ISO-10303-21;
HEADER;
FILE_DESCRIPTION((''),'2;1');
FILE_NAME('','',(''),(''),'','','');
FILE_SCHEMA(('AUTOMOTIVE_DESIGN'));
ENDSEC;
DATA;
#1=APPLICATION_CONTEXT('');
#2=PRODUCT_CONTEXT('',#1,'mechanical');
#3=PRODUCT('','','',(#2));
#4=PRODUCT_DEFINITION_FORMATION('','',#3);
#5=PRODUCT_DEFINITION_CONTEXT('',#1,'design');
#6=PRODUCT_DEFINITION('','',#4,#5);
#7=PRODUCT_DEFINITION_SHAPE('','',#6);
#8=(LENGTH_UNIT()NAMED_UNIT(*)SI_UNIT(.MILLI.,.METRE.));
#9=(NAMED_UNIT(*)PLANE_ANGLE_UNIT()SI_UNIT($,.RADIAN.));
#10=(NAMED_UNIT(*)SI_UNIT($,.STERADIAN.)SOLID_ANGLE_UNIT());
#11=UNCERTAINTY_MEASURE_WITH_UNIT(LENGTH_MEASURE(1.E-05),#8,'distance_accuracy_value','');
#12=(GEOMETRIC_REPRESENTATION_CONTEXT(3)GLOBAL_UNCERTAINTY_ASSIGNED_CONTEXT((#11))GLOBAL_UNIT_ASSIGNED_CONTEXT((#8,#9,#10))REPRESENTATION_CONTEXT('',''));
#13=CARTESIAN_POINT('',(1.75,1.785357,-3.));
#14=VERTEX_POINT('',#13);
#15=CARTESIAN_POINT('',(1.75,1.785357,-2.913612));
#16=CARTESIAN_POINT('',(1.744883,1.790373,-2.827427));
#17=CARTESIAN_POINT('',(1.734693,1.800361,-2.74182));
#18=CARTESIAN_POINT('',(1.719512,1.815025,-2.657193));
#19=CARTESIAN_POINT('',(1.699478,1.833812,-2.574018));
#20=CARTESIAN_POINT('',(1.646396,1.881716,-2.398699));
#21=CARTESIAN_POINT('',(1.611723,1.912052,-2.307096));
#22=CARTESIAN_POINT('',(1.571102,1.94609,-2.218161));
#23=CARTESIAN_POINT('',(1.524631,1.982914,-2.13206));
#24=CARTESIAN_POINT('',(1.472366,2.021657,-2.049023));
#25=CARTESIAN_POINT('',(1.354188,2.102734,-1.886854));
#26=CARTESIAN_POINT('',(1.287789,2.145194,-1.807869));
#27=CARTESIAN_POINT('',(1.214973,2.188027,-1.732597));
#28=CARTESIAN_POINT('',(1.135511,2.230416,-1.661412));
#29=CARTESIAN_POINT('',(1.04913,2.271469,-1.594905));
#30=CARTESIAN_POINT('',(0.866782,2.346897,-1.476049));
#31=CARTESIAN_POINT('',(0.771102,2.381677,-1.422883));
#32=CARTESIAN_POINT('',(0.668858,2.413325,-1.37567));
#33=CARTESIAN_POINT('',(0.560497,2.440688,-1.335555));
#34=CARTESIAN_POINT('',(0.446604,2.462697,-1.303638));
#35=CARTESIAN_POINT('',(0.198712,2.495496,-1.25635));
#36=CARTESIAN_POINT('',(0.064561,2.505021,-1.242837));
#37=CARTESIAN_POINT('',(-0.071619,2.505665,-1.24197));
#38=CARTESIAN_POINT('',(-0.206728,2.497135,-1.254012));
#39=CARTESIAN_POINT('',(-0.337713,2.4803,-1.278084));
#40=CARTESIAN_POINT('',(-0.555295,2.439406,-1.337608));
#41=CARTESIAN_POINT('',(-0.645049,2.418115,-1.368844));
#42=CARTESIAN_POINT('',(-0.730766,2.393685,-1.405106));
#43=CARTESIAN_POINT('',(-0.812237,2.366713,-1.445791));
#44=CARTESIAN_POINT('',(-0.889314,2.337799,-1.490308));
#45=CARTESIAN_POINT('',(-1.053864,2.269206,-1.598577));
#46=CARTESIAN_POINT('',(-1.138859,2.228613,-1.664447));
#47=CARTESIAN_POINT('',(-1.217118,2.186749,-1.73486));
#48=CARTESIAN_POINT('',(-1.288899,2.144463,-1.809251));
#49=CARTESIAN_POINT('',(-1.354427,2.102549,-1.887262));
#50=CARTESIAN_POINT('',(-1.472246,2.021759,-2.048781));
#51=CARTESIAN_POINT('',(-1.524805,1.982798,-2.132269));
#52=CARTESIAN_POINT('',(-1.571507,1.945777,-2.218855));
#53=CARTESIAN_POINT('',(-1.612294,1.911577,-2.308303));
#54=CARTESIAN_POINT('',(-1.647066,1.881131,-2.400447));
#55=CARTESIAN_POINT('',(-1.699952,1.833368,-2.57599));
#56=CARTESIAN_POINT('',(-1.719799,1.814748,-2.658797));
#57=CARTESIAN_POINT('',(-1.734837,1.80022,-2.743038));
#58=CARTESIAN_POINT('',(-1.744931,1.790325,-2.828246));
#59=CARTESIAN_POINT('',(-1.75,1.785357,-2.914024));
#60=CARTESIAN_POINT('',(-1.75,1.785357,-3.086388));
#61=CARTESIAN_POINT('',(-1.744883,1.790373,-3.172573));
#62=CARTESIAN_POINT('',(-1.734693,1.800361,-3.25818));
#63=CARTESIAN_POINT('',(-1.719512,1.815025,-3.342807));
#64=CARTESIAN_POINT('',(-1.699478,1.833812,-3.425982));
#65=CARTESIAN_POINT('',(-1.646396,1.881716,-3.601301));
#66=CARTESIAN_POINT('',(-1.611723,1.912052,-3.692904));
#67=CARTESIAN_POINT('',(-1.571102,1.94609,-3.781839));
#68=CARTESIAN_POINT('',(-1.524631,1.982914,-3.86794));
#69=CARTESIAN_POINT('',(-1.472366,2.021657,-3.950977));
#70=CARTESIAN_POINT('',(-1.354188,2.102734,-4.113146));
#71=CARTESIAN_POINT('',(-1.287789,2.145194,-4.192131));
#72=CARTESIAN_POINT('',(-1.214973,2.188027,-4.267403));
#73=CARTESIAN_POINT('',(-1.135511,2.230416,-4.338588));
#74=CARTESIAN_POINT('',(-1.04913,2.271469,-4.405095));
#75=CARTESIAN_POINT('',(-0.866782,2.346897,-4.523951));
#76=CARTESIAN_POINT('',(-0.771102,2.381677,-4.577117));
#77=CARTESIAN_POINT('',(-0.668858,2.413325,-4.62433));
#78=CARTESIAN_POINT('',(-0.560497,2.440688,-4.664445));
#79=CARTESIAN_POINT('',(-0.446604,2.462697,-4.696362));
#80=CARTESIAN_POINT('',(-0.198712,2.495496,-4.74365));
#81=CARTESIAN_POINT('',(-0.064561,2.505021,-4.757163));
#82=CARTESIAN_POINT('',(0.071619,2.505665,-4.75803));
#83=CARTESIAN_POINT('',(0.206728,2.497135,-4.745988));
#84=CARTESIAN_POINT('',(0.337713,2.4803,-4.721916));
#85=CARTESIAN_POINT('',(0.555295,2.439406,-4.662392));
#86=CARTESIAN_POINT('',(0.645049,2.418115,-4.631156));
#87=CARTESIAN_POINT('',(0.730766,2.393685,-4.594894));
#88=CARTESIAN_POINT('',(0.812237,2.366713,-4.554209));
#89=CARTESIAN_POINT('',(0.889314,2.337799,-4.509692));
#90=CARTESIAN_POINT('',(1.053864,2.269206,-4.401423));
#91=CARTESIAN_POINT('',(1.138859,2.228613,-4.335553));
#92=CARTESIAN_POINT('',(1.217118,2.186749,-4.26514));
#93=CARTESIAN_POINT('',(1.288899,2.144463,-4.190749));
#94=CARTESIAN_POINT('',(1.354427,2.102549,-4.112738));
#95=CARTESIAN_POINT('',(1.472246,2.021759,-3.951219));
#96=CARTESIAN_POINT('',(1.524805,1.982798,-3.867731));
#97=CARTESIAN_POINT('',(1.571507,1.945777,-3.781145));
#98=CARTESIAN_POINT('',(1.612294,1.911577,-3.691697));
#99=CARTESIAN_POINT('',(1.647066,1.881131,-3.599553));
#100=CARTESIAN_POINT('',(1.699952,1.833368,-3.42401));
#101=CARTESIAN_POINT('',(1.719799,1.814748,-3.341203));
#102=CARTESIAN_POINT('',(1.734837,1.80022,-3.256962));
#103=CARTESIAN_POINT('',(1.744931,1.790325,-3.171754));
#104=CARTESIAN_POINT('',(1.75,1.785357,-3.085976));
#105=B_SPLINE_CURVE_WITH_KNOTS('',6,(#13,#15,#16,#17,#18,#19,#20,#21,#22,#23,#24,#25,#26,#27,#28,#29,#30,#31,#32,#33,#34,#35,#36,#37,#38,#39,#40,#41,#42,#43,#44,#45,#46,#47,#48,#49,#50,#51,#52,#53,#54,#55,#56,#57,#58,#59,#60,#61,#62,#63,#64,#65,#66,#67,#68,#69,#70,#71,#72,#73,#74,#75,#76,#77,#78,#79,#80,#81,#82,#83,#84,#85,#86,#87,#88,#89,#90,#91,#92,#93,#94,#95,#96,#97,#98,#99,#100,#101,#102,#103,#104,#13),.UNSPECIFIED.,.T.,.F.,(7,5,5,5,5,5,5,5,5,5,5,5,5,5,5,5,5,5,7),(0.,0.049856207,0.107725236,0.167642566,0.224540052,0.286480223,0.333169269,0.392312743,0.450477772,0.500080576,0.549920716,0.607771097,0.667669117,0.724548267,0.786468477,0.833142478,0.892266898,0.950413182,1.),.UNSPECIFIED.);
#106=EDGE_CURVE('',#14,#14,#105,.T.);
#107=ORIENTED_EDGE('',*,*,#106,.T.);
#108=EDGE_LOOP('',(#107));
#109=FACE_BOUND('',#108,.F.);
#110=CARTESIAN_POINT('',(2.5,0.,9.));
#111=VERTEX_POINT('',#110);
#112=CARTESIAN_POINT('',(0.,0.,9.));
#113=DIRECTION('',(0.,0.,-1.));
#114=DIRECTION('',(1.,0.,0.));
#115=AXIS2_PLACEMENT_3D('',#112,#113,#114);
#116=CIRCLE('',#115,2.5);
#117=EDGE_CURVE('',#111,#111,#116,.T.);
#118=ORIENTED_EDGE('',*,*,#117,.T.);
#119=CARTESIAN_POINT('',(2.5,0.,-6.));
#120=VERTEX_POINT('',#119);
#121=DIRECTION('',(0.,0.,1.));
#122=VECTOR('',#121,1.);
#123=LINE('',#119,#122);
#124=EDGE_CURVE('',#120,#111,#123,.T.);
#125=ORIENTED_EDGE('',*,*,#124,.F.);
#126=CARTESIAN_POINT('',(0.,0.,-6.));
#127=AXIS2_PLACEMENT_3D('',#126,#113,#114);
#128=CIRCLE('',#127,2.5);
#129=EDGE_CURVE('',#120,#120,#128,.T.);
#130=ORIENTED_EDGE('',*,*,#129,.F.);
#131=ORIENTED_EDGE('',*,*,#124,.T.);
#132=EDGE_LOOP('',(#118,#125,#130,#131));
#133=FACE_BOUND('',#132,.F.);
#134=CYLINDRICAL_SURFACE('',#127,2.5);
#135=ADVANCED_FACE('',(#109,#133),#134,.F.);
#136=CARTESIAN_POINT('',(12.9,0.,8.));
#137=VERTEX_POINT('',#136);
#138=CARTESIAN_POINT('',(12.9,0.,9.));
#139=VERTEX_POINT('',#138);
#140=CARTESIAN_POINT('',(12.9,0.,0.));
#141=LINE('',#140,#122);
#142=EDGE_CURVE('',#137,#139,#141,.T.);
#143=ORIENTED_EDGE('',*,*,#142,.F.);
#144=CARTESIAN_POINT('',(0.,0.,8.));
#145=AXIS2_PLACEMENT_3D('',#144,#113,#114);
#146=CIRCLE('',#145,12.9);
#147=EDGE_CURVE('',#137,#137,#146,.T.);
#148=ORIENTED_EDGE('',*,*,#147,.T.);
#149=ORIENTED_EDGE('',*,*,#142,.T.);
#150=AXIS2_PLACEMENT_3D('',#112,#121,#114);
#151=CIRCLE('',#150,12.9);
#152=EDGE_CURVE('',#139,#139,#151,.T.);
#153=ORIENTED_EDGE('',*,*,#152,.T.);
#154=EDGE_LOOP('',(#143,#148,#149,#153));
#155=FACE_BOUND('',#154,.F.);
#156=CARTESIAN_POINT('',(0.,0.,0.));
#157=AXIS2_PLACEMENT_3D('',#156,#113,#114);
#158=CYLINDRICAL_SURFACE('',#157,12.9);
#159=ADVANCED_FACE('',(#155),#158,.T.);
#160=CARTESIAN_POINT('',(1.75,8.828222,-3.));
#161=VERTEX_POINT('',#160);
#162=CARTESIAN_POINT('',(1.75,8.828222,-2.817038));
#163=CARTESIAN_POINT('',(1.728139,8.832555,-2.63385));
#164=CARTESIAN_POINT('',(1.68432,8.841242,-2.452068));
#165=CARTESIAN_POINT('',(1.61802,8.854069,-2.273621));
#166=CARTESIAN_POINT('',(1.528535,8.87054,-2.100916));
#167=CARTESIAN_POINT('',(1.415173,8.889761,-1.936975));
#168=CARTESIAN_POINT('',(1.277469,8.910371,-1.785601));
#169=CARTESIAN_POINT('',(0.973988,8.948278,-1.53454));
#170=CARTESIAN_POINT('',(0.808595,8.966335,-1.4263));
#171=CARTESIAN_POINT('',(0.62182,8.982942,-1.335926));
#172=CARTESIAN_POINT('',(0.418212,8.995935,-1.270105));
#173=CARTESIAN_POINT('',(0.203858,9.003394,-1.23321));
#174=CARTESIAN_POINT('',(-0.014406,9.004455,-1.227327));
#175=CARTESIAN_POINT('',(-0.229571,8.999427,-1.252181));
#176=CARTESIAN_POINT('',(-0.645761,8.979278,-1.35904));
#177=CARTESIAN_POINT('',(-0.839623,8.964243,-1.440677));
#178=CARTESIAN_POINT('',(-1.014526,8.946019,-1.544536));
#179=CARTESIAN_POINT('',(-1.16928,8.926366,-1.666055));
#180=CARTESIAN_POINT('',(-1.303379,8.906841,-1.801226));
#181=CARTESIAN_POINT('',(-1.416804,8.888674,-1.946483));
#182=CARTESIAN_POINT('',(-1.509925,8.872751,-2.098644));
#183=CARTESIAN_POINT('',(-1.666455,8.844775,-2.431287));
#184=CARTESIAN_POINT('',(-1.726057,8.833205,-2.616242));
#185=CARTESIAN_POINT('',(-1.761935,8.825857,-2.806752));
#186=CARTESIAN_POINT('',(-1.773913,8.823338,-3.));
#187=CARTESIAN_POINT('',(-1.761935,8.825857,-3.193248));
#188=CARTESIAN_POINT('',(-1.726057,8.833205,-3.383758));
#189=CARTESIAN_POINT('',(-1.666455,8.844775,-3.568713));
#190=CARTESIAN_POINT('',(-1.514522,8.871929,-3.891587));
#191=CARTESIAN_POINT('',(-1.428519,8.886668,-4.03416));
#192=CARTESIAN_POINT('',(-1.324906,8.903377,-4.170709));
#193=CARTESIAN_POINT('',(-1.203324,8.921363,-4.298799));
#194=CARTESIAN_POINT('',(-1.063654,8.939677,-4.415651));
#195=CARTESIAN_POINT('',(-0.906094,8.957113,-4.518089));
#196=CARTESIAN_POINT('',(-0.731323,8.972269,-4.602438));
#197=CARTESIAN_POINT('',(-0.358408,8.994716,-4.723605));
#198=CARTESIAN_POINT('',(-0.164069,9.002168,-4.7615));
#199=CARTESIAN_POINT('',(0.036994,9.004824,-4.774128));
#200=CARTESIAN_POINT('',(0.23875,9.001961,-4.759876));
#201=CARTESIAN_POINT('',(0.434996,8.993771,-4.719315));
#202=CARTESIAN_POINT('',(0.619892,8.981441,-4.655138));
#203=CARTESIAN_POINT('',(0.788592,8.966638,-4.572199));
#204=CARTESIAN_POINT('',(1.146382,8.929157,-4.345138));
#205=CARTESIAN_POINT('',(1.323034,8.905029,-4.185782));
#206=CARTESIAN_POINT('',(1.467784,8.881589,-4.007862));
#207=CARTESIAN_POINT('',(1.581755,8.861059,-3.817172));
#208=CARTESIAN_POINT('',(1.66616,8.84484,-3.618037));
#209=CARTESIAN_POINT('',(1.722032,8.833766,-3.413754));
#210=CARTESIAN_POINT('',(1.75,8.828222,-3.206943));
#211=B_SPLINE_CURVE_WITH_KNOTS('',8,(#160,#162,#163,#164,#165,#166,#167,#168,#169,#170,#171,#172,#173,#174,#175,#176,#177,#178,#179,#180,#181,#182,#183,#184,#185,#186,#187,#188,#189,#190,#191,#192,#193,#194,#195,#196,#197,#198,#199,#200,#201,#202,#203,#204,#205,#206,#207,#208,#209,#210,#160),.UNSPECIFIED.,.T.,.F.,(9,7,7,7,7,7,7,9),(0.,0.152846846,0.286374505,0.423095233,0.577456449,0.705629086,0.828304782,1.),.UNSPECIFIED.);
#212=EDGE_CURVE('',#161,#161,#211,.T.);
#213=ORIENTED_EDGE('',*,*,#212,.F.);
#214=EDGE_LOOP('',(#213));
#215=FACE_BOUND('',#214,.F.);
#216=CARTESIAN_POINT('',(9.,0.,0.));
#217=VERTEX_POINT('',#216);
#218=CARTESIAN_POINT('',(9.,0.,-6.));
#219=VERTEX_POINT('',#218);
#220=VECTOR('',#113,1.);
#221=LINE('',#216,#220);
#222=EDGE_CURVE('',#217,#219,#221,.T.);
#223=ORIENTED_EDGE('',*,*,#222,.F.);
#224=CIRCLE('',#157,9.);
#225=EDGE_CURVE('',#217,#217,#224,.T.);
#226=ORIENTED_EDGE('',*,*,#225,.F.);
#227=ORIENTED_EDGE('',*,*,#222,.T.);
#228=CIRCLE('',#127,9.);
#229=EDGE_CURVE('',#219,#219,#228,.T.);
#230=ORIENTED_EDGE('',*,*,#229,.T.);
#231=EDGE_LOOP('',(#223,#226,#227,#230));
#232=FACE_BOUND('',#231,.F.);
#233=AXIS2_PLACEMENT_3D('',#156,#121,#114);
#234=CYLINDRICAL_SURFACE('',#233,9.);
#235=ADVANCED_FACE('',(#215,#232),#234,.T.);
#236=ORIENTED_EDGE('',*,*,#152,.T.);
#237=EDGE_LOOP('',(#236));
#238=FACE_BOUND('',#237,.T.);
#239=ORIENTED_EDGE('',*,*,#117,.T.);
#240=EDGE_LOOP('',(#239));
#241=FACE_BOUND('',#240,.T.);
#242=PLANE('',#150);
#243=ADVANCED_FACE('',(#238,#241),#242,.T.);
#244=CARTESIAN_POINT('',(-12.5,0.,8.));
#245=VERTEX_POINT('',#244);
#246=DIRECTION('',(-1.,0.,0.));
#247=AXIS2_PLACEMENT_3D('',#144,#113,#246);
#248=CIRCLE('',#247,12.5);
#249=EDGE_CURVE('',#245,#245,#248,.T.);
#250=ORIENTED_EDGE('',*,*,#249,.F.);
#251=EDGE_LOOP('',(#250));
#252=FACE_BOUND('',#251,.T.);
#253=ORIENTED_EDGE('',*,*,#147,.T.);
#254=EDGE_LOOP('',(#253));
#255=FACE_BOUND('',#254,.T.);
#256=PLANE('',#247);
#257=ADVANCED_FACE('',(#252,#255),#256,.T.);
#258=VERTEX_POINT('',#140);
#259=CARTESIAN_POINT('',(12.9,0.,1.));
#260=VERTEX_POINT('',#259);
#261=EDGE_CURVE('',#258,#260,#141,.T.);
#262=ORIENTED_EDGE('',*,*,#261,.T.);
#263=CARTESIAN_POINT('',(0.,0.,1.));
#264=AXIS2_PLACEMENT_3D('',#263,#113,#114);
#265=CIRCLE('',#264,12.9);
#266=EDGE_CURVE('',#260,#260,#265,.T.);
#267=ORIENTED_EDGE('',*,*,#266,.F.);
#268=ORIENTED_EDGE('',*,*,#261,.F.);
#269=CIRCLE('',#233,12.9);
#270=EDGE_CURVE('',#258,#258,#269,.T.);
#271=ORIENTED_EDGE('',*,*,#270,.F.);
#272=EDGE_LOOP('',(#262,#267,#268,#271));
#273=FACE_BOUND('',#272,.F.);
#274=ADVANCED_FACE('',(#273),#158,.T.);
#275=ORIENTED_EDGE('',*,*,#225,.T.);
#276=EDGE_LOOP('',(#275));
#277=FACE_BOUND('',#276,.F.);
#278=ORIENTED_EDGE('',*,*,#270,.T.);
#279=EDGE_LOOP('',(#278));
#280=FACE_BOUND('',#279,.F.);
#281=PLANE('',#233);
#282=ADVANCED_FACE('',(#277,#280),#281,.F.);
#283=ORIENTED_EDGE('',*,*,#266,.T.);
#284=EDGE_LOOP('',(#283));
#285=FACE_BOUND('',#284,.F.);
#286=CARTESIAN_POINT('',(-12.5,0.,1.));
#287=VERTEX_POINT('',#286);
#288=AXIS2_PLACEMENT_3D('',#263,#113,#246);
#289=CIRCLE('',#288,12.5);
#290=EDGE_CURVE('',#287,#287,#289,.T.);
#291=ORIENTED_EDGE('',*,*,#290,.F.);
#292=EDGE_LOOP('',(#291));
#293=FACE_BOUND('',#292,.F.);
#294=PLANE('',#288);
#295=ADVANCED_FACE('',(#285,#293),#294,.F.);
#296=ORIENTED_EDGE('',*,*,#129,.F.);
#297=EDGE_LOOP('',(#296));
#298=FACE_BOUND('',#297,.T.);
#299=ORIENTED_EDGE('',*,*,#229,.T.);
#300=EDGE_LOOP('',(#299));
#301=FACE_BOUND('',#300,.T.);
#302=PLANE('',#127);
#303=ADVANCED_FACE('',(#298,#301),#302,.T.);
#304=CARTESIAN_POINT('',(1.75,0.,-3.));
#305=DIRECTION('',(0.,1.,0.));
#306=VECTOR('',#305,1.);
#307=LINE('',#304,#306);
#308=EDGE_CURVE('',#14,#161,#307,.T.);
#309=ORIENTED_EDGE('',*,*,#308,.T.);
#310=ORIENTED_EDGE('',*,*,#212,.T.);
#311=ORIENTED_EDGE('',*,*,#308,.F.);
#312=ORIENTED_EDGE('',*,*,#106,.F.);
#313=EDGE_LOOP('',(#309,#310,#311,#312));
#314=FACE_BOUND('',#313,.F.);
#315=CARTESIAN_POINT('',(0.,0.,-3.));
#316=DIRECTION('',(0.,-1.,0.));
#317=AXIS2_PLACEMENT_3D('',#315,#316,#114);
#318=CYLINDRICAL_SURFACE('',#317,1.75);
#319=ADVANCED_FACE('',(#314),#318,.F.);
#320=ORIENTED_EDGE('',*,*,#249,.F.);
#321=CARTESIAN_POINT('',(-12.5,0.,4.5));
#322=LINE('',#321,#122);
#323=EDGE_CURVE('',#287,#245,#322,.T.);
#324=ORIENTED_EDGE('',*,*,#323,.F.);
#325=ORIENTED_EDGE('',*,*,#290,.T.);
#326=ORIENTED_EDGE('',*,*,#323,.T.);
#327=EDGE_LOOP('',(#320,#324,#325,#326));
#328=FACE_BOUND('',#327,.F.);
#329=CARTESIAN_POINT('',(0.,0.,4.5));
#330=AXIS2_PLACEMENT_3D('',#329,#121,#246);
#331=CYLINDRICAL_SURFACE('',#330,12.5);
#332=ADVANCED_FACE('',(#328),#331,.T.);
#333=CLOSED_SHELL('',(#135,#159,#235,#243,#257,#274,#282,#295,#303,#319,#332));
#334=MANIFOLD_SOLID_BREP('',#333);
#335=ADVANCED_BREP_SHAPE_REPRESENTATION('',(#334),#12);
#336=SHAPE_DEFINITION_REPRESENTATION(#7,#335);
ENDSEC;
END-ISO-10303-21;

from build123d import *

# Parameters (mm, degrees)
F0_R     = 12.9
F1_DEPTH = 9
F2_R     = 9
F3_DEPTH = 6
F4_R     = 2.5
F5_DEPTH = 25
F6_W     = 1.571994
F6_H     = 7
F8_R     = 1.75
F9_DEPTH = 25


with BuildPart() as f1:
    # F0 (on Top) → F1 (new body)
    with BuildSketch(Plane.XY):
        Circle(F0_R)
    extrude(amount=F1_DEPTH)

    # F2 (on face) → F3 (join)
    with BuildSketch(Plane(origin=(0, 0, 0), x_dir=(1, 0, 0), z_dir=(0, 0, -1))):
        Circle(F2_R)
    extrude(amount=F3_DEPTH)

    # F4 (on face) → F5 (cut)
    with BuildSketch(Plane(origin=(0, 0, -6), x_dir=(1, 0, 0), z_dir=(0, 0, -1))):
        Circle(F4_R)
    extrude(amount=-F5_DEPTH, mode=Mode.SUBTRACT)

    # F6 (on Front) → F7 (revolve, cut)
    with BuildSketch(Plane.XZ):
        with Locations((-13.285997, 4.5)):
            Rectangle(F6_W, F6_H)
    revolve(axis=Axis((0, 0, 9), (0, 0, -1)), mode=Mode.SUBTRACT)

    # F8 (on Front) → F9 (cut)
    with BuildSketch(Plane.XZ):
        with Locations((0, -3)):
            Circle(F8_R)
    extrude(amount=-F9_DEPTH, mode=Mode.SUBTRACT)


solid = f1.part
